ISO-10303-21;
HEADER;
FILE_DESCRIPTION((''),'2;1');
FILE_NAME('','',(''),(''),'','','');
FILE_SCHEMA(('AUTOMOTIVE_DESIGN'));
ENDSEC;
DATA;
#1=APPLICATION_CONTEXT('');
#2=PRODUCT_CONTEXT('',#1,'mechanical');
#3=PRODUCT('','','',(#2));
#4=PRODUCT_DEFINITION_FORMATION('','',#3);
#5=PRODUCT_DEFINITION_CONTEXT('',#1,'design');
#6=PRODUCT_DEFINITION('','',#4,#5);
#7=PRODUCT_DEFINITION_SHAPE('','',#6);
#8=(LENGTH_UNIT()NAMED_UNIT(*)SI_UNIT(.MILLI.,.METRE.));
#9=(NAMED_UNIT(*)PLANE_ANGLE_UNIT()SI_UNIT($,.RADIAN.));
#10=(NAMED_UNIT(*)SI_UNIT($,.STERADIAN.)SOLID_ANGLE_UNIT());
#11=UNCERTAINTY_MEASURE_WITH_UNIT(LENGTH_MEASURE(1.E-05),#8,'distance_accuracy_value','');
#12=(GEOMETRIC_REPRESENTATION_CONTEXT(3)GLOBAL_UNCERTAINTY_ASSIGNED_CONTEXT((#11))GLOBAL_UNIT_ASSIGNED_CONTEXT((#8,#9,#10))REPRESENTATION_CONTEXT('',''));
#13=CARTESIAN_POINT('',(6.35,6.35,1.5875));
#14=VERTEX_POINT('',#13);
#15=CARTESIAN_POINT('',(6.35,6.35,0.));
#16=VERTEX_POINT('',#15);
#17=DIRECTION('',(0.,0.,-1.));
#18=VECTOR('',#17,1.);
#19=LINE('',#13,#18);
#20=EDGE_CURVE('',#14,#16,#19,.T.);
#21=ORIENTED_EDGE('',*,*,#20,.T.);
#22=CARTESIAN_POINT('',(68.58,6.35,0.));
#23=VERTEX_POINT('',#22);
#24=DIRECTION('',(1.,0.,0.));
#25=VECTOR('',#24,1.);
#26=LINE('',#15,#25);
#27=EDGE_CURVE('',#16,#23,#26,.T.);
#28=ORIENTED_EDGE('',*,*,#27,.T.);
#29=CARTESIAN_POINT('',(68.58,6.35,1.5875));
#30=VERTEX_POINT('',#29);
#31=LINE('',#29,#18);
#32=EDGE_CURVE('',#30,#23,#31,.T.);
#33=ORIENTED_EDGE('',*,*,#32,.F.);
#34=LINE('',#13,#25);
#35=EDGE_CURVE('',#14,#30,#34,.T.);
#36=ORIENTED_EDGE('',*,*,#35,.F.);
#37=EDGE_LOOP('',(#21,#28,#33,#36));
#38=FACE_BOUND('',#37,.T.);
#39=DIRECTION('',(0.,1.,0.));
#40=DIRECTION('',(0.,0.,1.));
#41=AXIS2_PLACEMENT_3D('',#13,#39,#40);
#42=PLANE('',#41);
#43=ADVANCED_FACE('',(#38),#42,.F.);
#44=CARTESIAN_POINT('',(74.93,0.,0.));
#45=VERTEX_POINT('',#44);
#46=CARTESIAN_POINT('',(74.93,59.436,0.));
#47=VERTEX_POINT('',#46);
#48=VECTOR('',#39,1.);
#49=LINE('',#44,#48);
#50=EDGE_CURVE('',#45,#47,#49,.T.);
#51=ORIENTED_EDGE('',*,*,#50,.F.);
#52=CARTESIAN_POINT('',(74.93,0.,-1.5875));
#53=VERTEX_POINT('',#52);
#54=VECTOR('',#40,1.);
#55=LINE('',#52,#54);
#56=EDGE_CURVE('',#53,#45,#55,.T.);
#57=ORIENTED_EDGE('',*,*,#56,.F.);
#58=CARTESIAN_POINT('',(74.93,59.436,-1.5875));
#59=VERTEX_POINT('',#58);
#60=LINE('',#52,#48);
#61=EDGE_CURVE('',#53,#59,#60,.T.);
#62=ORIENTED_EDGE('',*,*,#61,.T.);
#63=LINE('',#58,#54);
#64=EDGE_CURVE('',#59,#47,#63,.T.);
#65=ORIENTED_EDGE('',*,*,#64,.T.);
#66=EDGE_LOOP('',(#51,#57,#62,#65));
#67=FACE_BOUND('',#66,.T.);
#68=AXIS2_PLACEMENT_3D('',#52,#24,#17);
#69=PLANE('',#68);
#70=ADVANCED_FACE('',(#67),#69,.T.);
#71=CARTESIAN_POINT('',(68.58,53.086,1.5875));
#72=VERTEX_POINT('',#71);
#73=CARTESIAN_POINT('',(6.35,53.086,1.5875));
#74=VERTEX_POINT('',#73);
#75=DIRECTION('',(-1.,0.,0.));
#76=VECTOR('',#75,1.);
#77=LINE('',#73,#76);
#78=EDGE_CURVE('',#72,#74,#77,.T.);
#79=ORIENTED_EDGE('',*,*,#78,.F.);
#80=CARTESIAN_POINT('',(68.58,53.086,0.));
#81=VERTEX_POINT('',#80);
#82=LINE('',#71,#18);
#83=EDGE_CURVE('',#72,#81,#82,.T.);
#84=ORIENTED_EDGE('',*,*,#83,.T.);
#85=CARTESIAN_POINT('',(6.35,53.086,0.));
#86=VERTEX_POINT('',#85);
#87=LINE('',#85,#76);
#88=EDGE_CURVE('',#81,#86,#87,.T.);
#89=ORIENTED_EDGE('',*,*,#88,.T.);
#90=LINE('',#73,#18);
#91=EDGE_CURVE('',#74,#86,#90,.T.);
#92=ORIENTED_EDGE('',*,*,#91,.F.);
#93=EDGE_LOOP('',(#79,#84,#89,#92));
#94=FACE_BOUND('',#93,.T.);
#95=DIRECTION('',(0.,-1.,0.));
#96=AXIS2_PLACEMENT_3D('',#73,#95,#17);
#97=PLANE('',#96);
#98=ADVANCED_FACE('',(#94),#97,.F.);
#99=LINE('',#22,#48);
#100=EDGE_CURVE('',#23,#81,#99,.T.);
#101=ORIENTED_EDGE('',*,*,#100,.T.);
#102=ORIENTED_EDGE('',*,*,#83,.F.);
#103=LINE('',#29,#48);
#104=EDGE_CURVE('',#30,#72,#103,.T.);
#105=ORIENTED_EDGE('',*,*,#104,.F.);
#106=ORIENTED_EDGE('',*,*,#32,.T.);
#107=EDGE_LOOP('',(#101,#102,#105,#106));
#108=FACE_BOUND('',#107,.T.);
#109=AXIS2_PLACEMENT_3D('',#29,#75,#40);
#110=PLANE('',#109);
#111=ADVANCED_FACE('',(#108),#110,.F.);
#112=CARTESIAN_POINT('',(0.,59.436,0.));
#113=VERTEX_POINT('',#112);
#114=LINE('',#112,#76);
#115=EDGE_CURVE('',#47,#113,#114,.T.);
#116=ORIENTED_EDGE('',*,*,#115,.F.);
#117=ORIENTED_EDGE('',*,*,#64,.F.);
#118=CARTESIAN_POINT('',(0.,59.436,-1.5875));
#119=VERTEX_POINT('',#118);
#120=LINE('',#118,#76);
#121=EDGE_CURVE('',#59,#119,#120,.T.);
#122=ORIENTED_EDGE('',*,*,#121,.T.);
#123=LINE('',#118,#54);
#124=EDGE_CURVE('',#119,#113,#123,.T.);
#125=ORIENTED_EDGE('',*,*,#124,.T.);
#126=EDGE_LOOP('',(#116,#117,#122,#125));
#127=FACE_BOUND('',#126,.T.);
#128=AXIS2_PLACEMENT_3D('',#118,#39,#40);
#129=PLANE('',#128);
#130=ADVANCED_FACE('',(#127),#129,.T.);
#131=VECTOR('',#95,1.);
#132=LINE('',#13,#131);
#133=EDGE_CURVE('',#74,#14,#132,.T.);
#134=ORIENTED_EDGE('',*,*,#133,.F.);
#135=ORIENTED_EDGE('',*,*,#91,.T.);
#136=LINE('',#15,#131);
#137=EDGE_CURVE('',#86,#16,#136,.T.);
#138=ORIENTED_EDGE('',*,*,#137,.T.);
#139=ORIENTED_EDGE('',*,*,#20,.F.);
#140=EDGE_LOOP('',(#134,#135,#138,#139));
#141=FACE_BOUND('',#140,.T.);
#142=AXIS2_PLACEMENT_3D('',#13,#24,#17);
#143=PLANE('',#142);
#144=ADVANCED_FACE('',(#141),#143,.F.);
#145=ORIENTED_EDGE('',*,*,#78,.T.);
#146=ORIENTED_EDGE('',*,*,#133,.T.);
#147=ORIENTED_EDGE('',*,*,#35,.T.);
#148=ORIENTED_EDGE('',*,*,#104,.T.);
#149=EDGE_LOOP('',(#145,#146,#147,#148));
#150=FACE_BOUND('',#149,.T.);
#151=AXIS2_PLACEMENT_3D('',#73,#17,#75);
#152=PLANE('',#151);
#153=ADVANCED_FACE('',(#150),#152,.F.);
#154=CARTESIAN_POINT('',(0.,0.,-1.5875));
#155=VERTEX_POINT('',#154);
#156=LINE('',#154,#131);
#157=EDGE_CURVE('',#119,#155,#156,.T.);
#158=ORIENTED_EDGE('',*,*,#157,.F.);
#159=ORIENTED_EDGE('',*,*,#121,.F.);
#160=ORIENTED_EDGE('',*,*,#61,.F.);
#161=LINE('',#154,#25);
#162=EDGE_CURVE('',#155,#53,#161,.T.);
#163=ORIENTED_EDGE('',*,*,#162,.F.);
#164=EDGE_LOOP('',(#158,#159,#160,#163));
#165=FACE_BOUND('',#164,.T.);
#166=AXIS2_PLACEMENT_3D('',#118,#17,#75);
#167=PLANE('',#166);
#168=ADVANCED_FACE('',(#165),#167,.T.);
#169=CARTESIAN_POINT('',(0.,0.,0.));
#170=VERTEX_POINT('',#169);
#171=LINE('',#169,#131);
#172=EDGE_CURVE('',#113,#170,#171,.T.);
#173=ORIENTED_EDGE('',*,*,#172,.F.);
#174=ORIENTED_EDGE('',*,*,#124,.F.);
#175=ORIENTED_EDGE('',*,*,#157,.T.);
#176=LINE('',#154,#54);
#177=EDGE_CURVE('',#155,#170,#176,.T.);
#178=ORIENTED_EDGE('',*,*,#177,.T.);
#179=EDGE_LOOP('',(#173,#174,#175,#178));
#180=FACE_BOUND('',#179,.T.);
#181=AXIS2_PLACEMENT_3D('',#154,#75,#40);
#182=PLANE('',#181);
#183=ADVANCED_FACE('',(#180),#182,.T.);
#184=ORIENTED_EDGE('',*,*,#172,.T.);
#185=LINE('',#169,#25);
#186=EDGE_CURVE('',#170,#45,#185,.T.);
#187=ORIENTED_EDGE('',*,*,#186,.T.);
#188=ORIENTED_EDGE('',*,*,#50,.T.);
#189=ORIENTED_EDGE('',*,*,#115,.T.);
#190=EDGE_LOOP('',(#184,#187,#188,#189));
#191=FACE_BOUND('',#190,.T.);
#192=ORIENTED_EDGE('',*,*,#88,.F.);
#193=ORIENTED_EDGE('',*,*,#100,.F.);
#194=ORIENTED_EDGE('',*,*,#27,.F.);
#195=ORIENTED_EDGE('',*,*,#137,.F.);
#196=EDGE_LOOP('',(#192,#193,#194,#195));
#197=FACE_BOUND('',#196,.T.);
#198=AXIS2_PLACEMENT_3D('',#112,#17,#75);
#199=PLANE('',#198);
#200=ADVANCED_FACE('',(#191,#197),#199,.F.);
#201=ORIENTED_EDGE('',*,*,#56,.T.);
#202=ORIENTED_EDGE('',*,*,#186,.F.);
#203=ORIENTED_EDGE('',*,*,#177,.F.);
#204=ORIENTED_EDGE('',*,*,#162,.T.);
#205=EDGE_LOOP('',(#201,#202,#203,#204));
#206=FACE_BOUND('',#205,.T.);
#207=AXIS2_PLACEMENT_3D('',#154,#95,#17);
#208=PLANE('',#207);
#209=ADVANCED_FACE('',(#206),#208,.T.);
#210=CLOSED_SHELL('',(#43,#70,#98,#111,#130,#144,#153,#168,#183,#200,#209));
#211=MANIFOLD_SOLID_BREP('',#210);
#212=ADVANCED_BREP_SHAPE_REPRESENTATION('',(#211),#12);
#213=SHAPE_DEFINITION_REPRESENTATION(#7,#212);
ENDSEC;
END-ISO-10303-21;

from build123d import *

# Parameters (mm, degrees)
SKETCH1_W      = 74.93
SKETCH1_H      = 59.436
EXTRUDE1_DEPTH = 1.5875
SKETCH2_W      = 62.23
SKETCH2_H      = 46.736
EXTRUDE2_DEPTH = 1.5875


with BuildPart() as part:
    # Sketch1 → Extrude1 (new body)
    with BuildSketch(Plane.XY):
        with Locations((37.465, 29.718)):
            Rectangle(SKETCH1_W, SKETCH1_H)
    extrude(amount=-EXTRUDE1_DEPTH)

    # Sketch2 → Extrude2 (add)
    with BuildSketch(Plane.XY):
        with Locations((37.465, 29.718)):
            Rectangle(SKETCH2_W, SKETCH2_H)
    extrude(amount=EXTRUDE2_DEPTH)


solid = part.part
